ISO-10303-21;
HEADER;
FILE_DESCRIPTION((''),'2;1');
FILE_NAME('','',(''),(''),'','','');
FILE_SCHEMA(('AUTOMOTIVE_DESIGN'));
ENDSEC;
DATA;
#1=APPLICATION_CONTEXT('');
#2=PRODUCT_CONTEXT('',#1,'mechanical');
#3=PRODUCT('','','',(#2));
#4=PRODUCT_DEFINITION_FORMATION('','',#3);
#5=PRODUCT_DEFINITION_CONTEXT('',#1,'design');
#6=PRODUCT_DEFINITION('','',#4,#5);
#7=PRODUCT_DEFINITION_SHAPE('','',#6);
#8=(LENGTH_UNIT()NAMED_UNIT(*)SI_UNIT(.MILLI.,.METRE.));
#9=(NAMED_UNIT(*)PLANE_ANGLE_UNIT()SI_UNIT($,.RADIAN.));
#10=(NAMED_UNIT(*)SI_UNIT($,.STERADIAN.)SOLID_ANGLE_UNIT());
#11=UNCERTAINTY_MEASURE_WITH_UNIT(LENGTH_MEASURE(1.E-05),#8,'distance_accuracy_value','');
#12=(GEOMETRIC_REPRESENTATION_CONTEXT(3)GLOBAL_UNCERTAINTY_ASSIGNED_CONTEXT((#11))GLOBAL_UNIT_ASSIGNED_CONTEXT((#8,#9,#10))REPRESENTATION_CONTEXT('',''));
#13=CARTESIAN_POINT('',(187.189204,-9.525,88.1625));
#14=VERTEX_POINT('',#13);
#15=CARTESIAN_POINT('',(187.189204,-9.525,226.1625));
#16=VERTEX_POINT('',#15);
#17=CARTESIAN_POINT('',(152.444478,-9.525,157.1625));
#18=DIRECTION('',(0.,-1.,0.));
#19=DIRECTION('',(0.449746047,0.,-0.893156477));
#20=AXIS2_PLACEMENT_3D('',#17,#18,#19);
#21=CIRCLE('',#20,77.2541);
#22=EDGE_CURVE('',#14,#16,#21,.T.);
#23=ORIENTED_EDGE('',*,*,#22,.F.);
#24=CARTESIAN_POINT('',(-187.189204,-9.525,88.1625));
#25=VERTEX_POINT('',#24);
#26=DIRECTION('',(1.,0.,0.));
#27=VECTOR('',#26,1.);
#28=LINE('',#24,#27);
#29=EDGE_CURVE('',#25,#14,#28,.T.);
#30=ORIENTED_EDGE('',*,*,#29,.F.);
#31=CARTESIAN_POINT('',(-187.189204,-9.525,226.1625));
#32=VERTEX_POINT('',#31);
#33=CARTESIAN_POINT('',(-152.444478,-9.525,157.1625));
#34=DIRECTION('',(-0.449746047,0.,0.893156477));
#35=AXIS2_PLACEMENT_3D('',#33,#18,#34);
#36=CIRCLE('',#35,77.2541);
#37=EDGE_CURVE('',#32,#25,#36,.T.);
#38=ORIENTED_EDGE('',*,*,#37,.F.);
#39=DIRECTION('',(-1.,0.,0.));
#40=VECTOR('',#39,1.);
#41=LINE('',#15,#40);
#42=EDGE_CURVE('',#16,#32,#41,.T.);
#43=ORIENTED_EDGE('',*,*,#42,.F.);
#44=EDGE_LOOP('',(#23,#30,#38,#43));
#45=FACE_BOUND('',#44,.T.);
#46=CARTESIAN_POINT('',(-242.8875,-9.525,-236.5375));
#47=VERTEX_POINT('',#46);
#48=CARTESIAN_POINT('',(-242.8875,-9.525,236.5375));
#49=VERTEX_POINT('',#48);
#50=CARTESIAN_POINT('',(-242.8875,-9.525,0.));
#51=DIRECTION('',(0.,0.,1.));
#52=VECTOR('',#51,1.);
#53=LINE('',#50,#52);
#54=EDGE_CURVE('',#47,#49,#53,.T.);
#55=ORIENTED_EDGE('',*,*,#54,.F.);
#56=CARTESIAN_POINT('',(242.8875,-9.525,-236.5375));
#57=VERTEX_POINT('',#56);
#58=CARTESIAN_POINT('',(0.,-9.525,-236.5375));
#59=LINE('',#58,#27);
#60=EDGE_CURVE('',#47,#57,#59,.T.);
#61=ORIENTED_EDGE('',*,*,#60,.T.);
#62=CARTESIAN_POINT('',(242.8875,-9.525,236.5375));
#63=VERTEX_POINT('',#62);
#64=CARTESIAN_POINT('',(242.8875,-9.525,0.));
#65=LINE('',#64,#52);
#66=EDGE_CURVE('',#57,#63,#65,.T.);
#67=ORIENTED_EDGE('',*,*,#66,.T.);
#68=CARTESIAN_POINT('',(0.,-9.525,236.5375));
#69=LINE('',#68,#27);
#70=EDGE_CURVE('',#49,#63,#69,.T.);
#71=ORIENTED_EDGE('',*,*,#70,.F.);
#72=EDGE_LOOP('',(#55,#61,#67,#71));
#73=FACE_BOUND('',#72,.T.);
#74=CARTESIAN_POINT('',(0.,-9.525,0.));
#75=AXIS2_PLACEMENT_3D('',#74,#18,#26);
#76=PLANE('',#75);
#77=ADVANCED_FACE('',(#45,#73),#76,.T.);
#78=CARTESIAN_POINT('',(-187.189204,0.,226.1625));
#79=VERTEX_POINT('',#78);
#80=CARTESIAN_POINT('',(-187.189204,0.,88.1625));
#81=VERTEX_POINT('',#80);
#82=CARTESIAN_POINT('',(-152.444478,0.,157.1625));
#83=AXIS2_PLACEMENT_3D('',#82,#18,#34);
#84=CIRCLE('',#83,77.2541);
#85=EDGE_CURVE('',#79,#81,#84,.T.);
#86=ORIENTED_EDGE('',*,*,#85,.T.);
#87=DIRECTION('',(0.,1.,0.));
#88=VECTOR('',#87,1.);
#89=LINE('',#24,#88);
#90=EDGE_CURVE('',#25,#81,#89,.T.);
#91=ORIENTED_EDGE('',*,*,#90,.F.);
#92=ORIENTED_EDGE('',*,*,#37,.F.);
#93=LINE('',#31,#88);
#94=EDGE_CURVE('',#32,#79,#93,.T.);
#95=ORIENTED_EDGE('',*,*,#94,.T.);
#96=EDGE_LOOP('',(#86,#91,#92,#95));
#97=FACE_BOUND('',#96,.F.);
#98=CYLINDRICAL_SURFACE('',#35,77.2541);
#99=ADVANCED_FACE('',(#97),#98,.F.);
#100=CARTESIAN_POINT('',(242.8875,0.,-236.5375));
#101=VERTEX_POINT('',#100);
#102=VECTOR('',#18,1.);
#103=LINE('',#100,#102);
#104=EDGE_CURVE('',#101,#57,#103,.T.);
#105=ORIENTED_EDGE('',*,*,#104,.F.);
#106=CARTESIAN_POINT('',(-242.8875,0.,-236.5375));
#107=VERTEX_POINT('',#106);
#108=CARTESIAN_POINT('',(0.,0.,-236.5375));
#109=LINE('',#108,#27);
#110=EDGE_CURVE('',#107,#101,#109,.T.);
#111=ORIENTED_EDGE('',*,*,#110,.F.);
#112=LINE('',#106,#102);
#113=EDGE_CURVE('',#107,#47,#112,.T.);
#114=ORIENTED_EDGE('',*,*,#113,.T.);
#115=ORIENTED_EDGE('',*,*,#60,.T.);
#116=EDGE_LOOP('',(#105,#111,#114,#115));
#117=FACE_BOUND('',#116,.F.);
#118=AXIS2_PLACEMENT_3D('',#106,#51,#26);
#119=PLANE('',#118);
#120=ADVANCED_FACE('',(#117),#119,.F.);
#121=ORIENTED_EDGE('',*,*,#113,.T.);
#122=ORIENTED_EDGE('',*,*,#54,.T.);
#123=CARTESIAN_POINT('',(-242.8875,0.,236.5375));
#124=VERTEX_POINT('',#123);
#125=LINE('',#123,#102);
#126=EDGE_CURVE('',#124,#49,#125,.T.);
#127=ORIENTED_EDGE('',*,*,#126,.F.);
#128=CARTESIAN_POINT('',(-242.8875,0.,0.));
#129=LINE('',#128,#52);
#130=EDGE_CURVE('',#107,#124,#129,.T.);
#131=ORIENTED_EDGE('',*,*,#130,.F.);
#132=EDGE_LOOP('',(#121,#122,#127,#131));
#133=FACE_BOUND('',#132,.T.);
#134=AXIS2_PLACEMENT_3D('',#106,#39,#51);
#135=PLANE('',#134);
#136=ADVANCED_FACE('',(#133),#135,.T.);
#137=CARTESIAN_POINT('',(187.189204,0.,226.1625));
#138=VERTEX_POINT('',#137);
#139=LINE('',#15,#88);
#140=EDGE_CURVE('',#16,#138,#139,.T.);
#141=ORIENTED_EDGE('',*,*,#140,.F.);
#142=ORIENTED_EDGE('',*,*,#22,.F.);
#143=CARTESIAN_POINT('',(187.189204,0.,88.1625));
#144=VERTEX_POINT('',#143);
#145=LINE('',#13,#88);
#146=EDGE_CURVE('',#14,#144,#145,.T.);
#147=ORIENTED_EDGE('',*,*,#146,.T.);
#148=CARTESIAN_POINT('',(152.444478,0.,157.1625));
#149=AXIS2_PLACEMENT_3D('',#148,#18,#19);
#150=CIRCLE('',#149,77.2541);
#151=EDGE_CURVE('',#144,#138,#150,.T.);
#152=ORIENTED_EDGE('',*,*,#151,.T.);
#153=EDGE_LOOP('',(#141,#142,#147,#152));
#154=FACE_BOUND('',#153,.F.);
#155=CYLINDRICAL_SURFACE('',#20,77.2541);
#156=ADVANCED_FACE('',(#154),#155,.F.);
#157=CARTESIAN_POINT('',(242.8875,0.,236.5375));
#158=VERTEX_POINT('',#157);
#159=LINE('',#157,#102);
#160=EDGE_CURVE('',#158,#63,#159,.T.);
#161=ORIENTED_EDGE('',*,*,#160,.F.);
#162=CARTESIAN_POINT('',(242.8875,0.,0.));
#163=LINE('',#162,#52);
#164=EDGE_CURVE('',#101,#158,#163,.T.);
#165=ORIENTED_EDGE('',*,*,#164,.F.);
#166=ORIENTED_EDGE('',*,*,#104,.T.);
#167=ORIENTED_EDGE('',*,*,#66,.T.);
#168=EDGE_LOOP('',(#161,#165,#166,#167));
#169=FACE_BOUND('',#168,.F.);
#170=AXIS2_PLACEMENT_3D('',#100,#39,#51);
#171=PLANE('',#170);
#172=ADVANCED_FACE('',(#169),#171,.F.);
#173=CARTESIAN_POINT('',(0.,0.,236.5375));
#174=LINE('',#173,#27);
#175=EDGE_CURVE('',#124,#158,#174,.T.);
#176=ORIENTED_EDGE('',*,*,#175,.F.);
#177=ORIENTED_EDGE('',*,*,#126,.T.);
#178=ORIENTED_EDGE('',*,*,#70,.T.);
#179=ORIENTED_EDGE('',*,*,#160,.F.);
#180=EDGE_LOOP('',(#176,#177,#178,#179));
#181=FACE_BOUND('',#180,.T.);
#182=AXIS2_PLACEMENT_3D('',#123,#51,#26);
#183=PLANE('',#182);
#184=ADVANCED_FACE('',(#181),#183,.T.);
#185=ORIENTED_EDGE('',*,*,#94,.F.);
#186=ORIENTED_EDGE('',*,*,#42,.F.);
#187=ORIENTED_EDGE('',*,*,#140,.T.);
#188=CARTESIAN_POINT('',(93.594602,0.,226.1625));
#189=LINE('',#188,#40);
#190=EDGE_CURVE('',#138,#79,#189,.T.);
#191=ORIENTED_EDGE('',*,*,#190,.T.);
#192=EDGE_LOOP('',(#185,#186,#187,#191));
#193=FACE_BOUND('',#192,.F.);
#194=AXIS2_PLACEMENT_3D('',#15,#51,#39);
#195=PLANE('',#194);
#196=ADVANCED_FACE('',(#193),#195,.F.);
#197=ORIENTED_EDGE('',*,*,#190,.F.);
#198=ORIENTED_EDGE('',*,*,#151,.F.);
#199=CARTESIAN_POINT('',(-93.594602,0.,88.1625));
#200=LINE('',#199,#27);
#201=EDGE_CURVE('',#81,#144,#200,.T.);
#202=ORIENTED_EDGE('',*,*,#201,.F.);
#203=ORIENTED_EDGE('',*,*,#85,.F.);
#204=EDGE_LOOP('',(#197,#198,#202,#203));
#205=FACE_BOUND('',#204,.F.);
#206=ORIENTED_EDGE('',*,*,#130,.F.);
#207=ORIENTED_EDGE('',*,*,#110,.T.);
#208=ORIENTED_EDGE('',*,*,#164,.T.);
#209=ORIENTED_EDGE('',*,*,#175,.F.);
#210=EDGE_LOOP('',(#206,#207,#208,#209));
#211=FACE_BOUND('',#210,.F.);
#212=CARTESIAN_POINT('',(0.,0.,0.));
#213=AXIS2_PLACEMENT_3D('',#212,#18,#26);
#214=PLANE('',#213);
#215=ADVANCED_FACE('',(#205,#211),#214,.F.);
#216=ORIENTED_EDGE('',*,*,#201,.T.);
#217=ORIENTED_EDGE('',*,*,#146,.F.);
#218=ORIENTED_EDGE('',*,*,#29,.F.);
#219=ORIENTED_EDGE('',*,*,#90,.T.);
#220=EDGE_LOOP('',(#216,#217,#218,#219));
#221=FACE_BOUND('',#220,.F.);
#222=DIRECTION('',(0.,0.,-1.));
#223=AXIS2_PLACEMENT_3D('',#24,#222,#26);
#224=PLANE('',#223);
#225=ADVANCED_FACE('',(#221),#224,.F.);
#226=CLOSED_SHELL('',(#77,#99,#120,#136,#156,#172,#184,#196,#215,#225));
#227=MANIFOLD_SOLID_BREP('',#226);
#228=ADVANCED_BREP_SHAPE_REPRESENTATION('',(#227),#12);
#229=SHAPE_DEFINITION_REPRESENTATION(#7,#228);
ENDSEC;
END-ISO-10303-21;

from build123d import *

# Parameters (mm, degrees)
F0_W     = 485.775
F0_H     = 473.075
F1_DEPTH = 9.525
F3_D     = 109.982
F4_DEPTH = 25.4


with BuildPart() as f1:
    # F0 (on Front) → F1 (new body)
    with BuildSketch(Plane.XZ):
        Rectangle(F0_W, F0_H)
    extrude(amount=F1_DEPTH)

    # F3 (through all)
    with Locations(Plane.XZ.offset(9.525)):
        with Locations((0, 157.1625)):
            Hole(F3_D / 2)

    # F2 (on face) → F4 (cut)
    with BuildSketch(Plane.XZ.offset(9.525)):
        with BuildLine():
            Line((-152.444478, 226.1625), (-187.189204, 226.1625))
            ThreePointArc((-187.189204, 226.1625), (-229.698578, 157.1625), (-187.189204, 88.1625))
            Line((-187.189204, 88.1625), (-152.444478, 88.1625))
            Line((-152.444478, 88.1625), (152.444478, 88.1625))
            Line((152.444478, 88.1625), (187.189204, 88.1625))
            ThreePointArc((187.189204, 88.1625), (229.698578, 157.1625), (187.189204, 226.1625))
            Line((187.189204, 226.1625), (152.444478, 226.1625))
            Line((152.444478, 226.1625), (-152.444478, 226.1625))
        make_face()
    extrude(amount=-F4_DEPTH, mode=Mode.SUBTRACT)


solid = f1.part
